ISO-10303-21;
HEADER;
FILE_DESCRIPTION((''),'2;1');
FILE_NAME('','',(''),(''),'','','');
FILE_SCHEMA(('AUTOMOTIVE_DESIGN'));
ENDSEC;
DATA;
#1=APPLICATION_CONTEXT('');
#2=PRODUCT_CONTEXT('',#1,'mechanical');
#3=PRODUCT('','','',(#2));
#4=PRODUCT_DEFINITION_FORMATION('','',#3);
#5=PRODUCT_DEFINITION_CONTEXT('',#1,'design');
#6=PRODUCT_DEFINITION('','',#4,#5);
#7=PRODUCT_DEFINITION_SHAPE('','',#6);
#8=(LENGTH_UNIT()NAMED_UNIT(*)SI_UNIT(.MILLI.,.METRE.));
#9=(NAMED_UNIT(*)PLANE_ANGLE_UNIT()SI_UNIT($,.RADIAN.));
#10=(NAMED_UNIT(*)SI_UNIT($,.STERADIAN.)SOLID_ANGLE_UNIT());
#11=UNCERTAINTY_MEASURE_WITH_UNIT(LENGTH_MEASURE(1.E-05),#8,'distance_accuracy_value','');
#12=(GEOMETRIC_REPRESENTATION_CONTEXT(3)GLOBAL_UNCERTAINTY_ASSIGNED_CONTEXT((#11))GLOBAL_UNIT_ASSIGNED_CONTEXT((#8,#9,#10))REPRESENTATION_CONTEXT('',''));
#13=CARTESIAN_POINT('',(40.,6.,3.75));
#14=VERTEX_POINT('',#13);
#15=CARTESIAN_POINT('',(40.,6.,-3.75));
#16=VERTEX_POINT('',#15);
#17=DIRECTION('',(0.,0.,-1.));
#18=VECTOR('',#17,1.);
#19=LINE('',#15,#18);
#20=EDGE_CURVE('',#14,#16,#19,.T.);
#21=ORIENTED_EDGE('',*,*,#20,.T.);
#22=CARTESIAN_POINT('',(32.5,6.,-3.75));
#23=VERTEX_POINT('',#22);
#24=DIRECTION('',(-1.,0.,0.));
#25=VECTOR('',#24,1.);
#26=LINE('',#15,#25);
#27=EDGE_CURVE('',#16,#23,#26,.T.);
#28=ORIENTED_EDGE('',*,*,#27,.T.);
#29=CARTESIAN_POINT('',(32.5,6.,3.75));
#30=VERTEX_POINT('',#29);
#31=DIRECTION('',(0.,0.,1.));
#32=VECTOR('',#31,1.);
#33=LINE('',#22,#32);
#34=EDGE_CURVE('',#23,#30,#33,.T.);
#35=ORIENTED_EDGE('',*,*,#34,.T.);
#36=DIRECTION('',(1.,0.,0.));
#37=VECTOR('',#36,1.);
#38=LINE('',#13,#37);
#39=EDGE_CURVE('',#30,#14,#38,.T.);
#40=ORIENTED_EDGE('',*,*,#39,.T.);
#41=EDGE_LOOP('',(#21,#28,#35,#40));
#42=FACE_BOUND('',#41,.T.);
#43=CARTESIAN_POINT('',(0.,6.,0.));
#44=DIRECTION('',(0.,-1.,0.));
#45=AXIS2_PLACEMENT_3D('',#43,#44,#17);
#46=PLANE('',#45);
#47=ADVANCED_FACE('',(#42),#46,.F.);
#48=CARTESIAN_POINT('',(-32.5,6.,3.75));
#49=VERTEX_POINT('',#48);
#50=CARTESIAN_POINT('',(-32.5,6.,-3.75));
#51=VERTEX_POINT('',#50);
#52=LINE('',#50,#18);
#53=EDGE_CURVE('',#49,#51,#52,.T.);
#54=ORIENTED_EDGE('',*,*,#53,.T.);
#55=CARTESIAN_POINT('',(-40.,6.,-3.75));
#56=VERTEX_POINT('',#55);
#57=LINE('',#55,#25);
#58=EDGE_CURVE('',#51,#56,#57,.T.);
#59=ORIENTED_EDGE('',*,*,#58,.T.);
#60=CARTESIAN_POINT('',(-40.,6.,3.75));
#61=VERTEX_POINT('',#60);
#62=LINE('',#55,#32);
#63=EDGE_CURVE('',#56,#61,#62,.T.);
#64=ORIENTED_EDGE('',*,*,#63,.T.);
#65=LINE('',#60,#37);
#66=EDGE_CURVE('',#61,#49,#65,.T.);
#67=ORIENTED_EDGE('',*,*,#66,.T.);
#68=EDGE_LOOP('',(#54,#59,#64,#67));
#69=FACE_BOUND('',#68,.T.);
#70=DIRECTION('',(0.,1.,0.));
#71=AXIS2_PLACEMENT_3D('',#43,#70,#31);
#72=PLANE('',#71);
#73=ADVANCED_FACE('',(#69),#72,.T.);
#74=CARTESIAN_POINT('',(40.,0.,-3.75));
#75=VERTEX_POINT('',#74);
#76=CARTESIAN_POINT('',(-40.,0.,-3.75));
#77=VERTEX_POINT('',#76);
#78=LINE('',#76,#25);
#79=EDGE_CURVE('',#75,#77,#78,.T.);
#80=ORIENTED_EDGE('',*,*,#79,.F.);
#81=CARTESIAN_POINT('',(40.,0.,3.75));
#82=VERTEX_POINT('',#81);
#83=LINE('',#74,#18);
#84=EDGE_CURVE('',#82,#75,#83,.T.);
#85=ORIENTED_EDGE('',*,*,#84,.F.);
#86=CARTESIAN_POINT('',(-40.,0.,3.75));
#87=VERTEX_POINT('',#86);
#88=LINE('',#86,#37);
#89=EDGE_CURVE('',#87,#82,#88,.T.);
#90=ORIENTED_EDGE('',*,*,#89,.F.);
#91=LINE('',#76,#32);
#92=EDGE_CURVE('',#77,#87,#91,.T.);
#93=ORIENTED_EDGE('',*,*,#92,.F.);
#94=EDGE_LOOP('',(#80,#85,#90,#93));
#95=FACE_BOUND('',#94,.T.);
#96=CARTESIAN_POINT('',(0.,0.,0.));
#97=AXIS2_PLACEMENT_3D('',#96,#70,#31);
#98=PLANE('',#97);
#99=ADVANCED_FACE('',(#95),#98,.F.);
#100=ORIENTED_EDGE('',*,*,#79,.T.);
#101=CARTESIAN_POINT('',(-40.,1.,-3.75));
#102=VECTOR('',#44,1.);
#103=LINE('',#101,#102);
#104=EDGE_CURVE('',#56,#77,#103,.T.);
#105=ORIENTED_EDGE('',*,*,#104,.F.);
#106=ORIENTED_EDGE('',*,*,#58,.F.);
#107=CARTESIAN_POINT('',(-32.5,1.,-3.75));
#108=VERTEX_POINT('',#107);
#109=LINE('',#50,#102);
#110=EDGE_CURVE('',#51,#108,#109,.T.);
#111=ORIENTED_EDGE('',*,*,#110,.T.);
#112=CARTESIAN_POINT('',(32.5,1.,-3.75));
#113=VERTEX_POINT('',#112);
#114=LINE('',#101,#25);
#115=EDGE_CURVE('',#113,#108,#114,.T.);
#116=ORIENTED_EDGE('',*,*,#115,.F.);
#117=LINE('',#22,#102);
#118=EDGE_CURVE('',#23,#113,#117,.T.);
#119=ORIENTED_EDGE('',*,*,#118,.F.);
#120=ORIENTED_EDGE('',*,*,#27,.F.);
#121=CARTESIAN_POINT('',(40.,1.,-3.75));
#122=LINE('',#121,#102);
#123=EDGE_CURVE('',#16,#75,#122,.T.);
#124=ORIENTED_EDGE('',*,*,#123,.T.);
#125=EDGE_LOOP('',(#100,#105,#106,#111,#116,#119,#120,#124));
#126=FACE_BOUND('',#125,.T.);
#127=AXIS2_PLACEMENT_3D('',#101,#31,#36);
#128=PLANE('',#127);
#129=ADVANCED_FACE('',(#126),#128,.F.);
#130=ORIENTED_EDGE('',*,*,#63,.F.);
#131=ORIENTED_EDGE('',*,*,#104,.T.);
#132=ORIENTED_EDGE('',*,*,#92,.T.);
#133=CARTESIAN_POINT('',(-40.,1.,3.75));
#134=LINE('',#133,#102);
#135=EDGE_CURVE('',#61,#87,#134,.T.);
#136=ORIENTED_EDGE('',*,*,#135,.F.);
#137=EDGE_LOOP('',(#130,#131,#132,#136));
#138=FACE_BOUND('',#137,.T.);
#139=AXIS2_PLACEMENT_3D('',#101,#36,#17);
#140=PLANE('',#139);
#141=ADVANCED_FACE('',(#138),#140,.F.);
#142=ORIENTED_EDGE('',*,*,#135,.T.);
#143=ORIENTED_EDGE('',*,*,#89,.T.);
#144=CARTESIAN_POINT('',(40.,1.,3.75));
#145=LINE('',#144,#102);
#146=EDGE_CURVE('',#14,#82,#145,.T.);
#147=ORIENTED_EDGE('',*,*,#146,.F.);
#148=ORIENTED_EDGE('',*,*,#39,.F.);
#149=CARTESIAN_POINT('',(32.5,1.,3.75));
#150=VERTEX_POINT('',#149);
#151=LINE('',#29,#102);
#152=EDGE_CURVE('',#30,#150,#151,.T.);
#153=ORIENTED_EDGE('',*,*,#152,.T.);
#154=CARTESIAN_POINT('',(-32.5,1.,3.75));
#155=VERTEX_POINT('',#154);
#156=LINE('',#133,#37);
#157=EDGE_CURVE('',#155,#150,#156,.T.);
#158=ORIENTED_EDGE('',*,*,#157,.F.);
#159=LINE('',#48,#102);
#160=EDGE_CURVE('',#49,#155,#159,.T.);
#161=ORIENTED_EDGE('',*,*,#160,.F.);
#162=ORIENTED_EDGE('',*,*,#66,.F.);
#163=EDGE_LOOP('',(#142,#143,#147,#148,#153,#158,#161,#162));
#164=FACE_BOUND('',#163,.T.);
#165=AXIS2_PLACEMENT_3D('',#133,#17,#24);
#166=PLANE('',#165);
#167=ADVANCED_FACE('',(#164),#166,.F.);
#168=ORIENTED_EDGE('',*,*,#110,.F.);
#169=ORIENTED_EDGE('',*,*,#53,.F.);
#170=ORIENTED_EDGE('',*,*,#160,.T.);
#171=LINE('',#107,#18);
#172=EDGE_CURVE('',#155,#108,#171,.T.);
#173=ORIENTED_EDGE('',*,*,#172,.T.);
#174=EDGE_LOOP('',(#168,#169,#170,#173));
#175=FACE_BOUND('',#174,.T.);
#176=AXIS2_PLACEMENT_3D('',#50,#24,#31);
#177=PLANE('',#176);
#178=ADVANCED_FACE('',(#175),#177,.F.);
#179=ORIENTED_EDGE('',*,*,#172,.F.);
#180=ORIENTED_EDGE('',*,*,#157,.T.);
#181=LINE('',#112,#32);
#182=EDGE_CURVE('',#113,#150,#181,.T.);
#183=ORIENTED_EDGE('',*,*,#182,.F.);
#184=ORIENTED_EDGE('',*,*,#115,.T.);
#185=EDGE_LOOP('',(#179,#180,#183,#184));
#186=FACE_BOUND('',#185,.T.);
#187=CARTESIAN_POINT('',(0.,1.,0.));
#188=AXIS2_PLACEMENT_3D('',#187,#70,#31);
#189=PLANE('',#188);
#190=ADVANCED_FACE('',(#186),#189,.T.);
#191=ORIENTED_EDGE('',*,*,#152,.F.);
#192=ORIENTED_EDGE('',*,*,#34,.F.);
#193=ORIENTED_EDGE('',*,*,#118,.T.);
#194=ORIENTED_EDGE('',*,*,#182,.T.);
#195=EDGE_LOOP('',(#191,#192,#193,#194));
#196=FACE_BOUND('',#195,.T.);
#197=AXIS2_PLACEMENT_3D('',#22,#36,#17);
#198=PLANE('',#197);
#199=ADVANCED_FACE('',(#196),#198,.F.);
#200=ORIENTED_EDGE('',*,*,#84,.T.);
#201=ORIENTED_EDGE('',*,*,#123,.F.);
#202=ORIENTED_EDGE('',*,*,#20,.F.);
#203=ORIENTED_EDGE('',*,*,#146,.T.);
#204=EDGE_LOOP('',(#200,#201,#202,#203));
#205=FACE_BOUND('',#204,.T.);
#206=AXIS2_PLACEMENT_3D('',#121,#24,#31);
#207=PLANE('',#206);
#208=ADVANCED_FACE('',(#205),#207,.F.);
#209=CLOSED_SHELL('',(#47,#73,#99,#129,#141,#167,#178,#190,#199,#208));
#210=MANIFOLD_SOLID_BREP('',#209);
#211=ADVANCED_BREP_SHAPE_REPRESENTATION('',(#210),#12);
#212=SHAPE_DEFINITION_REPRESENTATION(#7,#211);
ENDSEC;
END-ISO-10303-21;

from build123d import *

# Parameters (mm, degrees)
SKETCH1_W           = 80
SKETCH1_H           = 7.5
BOSS_EXTRUDE1_DEPTH = 1
SKETCH2_W           = 7.5
SKETCH2_H           = 7.5
BOSS_EXTRUDE2_DEPTH = 5


with BuildPart() as part:
    # Sketch1 → Boss-Extrude1 (new body)
    with BuildSketch(Plane(origin=(0, 0, 0), x_dir=(1, 0, 0), z_dir=(0, 1, 0))):
        Rectangle(SKETCH1_W, SKETCH1_H)
    extrude(amount=BOSS_EXTRUDE1_DEPTH)

    # Sketch2 → Boss-Extrude2 (add)
    with BuildSketch(Plane(origin=(0, 1, 0), x_dir=(1, 0, 0), z_dir=(0, 1, 0))):
        with Locations((-36.25, 0)):
            Rectangle(SKETCH2_W, SKETCH2_H)
        with Locations((36.25, 0)):
            Rectangle(SKETCH2_W, SKETCH2_H)
    extrude(amount=BOSS_EXTRUDE2_DEPTH)


solid = part.part
